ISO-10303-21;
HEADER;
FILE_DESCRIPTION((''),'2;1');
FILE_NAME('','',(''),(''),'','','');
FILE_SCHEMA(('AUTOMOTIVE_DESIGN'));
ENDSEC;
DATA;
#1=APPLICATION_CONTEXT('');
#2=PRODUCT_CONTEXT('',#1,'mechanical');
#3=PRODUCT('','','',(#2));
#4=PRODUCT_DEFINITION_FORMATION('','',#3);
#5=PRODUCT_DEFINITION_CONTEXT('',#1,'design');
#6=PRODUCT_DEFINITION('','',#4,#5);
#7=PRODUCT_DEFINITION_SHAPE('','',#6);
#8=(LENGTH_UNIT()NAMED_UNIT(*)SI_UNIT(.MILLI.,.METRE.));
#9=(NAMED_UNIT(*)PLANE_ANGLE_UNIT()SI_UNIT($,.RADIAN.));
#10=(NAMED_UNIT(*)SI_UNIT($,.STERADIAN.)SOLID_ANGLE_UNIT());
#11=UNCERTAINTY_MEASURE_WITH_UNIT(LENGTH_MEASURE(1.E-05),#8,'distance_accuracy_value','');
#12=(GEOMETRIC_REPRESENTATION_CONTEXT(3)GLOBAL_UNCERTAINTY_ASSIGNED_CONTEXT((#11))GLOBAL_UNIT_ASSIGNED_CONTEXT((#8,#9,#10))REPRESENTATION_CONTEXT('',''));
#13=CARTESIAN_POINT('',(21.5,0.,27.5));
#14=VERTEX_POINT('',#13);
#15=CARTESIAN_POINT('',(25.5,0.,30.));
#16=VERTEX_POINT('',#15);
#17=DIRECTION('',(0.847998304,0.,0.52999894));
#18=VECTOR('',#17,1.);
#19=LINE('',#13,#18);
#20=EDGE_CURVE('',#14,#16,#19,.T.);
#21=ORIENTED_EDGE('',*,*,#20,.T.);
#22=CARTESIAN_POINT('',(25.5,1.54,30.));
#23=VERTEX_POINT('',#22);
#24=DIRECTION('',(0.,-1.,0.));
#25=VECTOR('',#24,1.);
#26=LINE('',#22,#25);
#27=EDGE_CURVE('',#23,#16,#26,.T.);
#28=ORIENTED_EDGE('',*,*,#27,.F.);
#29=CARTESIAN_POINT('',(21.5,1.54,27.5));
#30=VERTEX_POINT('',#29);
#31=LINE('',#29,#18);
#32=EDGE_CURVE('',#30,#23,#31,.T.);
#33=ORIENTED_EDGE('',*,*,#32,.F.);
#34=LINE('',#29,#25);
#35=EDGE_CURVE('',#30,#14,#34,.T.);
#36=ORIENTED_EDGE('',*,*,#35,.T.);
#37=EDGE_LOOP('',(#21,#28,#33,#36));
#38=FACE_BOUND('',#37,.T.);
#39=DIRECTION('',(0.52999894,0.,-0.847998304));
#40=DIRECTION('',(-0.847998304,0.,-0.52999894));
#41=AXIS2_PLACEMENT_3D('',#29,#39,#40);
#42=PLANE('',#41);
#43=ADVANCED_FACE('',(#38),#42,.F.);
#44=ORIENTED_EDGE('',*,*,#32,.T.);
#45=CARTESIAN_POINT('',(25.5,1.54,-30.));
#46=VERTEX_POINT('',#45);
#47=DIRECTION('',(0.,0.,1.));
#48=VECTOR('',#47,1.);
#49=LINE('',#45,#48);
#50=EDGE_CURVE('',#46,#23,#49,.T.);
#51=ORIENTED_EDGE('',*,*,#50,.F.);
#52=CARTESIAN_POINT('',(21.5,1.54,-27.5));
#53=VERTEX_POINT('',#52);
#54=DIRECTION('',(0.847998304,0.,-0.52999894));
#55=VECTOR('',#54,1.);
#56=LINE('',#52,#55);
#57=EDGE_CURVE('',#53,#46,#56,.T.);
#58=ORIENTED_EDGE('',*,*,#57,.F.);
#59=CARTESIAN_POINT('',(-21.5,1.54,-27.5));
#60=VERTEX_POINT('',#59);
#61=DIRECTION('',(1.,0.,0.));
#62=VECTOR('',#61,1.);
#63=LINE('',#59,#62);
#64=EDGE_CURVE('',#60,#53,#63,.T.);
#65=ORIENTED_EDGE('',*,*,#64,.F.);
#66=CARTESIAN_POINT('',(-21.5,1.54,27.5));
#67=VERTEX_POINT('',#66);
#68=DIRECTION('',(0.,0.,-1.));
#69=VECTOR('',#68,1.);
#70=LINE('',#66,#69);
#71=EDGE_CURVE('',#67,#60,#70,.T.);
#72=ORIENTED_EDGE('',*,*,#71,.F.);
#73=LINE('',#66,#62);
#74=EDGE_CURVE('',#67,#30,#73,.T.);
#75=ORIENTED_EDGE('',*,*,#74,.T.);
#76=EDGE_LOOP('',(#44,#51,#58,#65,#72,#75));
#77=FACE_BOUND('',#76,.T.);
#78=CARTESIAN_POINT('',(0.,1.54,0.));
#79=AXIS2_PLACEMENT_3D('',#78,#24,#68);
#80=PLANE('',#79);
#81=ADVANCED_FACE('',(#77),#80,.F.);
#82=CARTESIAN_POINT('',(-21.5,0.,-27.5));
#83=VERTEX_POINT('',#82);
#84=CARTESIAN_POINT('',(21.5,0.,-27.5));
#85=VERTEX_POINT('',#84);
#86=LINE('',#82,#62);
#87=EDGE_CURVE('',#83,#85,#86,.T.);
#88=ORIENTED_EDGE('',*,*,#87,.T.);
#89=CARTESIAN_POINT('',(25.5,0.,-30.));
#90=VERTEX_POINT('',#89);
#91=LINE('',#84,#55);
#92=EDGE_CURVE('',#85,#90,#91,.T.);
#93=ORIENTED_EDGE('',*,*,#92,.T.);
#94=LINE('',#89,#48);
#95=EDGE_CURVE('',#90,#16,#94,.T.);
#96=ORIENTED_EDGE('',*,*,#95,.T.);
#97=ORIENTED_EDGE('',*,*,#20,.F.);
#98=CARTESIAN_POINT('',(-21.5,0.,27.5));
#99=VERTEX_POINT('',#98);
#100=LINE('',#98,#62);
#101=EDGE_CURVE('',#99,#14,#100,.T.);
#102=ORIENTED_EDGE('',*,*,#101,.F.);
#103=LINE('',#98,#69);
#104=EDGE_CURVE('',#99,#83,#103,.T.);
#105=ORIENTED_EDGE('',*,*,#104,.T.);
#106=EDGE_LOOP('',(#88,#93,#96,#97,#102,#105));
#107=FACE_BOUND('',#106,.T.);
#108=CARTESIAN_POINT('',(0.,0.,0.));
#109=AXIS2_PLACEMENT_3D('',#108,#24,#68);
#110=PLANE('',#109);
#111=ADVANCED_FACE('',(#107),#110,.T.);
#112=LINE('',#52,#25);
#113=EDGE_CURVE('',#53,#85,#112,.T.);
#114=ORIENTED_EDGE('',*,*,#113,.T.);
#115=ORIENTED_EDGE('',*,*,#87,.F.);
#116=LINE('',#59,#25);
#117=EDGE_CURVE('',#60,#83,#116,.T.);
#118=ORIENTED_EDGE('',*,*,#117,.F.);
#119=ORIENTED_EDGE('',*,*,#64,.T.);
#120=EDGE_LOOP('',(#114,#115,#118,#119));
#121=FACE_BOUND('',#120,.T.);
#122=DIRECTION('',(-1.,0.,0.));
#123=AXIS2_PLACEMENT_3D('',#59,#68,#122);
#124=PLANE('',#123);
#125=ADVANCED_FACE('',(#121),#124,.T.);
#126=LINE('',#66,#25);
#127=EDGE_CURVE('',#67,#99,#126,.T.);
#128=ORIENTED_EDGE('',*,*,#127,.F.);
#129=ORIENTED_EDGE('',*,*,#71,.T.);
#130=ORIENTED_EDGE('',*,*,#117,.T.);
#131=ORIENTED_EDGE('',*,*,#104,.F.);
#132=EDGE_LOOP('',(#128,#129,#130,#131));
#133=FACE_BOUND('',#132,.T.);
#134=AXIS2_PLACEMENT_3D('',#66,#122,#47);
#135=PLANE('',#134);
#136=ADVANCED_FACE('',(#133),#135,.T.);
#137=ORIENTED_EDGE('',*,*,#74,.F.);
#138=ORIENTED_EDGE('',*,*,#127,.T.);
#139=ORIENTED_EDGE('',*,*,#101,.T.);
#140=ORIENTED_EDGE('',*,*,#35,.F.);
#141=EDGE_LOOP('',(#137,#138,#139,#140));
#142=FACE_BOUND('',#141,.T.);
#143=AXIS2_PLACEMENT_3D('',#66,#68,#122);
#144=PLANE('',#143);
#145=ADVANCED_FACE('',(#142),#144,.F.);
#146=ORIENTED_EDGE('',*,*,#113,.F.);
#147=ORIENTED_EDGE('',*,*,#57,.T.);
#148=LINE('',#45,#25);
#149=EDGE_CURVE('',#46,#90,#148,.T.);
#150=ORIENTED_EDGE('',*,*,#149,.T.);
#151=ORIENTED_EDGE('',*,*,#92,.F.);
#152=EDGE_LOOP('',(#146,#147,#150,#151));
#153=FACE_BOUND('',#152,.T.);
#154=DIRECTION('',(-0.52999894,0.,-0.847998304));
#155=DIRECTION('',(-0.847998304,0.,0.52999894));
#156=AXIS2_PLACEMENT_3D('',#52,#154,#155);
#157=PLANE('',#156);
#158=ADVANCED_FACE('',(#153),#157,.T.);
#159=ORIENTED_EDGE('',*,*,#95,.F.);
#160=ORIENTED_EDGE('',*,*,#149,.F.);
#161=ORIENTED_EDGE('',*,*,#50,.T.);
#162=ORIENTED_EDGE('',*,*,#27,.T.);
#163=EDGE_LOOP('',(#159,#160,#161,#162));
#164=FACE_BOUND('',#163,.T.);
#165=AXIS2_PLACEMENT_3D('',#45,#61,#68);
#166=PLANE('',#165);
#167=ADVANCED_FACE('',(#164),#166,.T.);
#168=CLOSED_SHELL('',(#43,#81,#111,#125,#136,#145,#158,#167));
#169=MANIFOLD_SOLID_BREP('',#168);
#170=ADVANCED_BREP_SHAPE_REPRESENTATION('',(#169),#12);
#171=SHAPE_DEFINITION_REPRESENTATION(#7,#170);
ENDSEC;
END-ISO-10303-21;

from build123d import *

# Parameters (mm, degrees)
BOSS_EXTRUDE2_DEPTH = 1.54


with BuildPart() as part:
    # Sketch1 → Boss-Extrude2 (new body)
    with BuildSketch(Plane(origin=(0, 0, 0), x_dir=(1, 0, 0), z_dir=(0, 1, 0))):
        Polygon((-21.5, -27.5), (21.5, -27.5), (25.5, -30), (25.5, 30), (21.5, 27.5), (-21.5, 27.5), align=None)
    extrude(amount=BOSS_EXTRUDE2_DEPTH)


solid = part.part
